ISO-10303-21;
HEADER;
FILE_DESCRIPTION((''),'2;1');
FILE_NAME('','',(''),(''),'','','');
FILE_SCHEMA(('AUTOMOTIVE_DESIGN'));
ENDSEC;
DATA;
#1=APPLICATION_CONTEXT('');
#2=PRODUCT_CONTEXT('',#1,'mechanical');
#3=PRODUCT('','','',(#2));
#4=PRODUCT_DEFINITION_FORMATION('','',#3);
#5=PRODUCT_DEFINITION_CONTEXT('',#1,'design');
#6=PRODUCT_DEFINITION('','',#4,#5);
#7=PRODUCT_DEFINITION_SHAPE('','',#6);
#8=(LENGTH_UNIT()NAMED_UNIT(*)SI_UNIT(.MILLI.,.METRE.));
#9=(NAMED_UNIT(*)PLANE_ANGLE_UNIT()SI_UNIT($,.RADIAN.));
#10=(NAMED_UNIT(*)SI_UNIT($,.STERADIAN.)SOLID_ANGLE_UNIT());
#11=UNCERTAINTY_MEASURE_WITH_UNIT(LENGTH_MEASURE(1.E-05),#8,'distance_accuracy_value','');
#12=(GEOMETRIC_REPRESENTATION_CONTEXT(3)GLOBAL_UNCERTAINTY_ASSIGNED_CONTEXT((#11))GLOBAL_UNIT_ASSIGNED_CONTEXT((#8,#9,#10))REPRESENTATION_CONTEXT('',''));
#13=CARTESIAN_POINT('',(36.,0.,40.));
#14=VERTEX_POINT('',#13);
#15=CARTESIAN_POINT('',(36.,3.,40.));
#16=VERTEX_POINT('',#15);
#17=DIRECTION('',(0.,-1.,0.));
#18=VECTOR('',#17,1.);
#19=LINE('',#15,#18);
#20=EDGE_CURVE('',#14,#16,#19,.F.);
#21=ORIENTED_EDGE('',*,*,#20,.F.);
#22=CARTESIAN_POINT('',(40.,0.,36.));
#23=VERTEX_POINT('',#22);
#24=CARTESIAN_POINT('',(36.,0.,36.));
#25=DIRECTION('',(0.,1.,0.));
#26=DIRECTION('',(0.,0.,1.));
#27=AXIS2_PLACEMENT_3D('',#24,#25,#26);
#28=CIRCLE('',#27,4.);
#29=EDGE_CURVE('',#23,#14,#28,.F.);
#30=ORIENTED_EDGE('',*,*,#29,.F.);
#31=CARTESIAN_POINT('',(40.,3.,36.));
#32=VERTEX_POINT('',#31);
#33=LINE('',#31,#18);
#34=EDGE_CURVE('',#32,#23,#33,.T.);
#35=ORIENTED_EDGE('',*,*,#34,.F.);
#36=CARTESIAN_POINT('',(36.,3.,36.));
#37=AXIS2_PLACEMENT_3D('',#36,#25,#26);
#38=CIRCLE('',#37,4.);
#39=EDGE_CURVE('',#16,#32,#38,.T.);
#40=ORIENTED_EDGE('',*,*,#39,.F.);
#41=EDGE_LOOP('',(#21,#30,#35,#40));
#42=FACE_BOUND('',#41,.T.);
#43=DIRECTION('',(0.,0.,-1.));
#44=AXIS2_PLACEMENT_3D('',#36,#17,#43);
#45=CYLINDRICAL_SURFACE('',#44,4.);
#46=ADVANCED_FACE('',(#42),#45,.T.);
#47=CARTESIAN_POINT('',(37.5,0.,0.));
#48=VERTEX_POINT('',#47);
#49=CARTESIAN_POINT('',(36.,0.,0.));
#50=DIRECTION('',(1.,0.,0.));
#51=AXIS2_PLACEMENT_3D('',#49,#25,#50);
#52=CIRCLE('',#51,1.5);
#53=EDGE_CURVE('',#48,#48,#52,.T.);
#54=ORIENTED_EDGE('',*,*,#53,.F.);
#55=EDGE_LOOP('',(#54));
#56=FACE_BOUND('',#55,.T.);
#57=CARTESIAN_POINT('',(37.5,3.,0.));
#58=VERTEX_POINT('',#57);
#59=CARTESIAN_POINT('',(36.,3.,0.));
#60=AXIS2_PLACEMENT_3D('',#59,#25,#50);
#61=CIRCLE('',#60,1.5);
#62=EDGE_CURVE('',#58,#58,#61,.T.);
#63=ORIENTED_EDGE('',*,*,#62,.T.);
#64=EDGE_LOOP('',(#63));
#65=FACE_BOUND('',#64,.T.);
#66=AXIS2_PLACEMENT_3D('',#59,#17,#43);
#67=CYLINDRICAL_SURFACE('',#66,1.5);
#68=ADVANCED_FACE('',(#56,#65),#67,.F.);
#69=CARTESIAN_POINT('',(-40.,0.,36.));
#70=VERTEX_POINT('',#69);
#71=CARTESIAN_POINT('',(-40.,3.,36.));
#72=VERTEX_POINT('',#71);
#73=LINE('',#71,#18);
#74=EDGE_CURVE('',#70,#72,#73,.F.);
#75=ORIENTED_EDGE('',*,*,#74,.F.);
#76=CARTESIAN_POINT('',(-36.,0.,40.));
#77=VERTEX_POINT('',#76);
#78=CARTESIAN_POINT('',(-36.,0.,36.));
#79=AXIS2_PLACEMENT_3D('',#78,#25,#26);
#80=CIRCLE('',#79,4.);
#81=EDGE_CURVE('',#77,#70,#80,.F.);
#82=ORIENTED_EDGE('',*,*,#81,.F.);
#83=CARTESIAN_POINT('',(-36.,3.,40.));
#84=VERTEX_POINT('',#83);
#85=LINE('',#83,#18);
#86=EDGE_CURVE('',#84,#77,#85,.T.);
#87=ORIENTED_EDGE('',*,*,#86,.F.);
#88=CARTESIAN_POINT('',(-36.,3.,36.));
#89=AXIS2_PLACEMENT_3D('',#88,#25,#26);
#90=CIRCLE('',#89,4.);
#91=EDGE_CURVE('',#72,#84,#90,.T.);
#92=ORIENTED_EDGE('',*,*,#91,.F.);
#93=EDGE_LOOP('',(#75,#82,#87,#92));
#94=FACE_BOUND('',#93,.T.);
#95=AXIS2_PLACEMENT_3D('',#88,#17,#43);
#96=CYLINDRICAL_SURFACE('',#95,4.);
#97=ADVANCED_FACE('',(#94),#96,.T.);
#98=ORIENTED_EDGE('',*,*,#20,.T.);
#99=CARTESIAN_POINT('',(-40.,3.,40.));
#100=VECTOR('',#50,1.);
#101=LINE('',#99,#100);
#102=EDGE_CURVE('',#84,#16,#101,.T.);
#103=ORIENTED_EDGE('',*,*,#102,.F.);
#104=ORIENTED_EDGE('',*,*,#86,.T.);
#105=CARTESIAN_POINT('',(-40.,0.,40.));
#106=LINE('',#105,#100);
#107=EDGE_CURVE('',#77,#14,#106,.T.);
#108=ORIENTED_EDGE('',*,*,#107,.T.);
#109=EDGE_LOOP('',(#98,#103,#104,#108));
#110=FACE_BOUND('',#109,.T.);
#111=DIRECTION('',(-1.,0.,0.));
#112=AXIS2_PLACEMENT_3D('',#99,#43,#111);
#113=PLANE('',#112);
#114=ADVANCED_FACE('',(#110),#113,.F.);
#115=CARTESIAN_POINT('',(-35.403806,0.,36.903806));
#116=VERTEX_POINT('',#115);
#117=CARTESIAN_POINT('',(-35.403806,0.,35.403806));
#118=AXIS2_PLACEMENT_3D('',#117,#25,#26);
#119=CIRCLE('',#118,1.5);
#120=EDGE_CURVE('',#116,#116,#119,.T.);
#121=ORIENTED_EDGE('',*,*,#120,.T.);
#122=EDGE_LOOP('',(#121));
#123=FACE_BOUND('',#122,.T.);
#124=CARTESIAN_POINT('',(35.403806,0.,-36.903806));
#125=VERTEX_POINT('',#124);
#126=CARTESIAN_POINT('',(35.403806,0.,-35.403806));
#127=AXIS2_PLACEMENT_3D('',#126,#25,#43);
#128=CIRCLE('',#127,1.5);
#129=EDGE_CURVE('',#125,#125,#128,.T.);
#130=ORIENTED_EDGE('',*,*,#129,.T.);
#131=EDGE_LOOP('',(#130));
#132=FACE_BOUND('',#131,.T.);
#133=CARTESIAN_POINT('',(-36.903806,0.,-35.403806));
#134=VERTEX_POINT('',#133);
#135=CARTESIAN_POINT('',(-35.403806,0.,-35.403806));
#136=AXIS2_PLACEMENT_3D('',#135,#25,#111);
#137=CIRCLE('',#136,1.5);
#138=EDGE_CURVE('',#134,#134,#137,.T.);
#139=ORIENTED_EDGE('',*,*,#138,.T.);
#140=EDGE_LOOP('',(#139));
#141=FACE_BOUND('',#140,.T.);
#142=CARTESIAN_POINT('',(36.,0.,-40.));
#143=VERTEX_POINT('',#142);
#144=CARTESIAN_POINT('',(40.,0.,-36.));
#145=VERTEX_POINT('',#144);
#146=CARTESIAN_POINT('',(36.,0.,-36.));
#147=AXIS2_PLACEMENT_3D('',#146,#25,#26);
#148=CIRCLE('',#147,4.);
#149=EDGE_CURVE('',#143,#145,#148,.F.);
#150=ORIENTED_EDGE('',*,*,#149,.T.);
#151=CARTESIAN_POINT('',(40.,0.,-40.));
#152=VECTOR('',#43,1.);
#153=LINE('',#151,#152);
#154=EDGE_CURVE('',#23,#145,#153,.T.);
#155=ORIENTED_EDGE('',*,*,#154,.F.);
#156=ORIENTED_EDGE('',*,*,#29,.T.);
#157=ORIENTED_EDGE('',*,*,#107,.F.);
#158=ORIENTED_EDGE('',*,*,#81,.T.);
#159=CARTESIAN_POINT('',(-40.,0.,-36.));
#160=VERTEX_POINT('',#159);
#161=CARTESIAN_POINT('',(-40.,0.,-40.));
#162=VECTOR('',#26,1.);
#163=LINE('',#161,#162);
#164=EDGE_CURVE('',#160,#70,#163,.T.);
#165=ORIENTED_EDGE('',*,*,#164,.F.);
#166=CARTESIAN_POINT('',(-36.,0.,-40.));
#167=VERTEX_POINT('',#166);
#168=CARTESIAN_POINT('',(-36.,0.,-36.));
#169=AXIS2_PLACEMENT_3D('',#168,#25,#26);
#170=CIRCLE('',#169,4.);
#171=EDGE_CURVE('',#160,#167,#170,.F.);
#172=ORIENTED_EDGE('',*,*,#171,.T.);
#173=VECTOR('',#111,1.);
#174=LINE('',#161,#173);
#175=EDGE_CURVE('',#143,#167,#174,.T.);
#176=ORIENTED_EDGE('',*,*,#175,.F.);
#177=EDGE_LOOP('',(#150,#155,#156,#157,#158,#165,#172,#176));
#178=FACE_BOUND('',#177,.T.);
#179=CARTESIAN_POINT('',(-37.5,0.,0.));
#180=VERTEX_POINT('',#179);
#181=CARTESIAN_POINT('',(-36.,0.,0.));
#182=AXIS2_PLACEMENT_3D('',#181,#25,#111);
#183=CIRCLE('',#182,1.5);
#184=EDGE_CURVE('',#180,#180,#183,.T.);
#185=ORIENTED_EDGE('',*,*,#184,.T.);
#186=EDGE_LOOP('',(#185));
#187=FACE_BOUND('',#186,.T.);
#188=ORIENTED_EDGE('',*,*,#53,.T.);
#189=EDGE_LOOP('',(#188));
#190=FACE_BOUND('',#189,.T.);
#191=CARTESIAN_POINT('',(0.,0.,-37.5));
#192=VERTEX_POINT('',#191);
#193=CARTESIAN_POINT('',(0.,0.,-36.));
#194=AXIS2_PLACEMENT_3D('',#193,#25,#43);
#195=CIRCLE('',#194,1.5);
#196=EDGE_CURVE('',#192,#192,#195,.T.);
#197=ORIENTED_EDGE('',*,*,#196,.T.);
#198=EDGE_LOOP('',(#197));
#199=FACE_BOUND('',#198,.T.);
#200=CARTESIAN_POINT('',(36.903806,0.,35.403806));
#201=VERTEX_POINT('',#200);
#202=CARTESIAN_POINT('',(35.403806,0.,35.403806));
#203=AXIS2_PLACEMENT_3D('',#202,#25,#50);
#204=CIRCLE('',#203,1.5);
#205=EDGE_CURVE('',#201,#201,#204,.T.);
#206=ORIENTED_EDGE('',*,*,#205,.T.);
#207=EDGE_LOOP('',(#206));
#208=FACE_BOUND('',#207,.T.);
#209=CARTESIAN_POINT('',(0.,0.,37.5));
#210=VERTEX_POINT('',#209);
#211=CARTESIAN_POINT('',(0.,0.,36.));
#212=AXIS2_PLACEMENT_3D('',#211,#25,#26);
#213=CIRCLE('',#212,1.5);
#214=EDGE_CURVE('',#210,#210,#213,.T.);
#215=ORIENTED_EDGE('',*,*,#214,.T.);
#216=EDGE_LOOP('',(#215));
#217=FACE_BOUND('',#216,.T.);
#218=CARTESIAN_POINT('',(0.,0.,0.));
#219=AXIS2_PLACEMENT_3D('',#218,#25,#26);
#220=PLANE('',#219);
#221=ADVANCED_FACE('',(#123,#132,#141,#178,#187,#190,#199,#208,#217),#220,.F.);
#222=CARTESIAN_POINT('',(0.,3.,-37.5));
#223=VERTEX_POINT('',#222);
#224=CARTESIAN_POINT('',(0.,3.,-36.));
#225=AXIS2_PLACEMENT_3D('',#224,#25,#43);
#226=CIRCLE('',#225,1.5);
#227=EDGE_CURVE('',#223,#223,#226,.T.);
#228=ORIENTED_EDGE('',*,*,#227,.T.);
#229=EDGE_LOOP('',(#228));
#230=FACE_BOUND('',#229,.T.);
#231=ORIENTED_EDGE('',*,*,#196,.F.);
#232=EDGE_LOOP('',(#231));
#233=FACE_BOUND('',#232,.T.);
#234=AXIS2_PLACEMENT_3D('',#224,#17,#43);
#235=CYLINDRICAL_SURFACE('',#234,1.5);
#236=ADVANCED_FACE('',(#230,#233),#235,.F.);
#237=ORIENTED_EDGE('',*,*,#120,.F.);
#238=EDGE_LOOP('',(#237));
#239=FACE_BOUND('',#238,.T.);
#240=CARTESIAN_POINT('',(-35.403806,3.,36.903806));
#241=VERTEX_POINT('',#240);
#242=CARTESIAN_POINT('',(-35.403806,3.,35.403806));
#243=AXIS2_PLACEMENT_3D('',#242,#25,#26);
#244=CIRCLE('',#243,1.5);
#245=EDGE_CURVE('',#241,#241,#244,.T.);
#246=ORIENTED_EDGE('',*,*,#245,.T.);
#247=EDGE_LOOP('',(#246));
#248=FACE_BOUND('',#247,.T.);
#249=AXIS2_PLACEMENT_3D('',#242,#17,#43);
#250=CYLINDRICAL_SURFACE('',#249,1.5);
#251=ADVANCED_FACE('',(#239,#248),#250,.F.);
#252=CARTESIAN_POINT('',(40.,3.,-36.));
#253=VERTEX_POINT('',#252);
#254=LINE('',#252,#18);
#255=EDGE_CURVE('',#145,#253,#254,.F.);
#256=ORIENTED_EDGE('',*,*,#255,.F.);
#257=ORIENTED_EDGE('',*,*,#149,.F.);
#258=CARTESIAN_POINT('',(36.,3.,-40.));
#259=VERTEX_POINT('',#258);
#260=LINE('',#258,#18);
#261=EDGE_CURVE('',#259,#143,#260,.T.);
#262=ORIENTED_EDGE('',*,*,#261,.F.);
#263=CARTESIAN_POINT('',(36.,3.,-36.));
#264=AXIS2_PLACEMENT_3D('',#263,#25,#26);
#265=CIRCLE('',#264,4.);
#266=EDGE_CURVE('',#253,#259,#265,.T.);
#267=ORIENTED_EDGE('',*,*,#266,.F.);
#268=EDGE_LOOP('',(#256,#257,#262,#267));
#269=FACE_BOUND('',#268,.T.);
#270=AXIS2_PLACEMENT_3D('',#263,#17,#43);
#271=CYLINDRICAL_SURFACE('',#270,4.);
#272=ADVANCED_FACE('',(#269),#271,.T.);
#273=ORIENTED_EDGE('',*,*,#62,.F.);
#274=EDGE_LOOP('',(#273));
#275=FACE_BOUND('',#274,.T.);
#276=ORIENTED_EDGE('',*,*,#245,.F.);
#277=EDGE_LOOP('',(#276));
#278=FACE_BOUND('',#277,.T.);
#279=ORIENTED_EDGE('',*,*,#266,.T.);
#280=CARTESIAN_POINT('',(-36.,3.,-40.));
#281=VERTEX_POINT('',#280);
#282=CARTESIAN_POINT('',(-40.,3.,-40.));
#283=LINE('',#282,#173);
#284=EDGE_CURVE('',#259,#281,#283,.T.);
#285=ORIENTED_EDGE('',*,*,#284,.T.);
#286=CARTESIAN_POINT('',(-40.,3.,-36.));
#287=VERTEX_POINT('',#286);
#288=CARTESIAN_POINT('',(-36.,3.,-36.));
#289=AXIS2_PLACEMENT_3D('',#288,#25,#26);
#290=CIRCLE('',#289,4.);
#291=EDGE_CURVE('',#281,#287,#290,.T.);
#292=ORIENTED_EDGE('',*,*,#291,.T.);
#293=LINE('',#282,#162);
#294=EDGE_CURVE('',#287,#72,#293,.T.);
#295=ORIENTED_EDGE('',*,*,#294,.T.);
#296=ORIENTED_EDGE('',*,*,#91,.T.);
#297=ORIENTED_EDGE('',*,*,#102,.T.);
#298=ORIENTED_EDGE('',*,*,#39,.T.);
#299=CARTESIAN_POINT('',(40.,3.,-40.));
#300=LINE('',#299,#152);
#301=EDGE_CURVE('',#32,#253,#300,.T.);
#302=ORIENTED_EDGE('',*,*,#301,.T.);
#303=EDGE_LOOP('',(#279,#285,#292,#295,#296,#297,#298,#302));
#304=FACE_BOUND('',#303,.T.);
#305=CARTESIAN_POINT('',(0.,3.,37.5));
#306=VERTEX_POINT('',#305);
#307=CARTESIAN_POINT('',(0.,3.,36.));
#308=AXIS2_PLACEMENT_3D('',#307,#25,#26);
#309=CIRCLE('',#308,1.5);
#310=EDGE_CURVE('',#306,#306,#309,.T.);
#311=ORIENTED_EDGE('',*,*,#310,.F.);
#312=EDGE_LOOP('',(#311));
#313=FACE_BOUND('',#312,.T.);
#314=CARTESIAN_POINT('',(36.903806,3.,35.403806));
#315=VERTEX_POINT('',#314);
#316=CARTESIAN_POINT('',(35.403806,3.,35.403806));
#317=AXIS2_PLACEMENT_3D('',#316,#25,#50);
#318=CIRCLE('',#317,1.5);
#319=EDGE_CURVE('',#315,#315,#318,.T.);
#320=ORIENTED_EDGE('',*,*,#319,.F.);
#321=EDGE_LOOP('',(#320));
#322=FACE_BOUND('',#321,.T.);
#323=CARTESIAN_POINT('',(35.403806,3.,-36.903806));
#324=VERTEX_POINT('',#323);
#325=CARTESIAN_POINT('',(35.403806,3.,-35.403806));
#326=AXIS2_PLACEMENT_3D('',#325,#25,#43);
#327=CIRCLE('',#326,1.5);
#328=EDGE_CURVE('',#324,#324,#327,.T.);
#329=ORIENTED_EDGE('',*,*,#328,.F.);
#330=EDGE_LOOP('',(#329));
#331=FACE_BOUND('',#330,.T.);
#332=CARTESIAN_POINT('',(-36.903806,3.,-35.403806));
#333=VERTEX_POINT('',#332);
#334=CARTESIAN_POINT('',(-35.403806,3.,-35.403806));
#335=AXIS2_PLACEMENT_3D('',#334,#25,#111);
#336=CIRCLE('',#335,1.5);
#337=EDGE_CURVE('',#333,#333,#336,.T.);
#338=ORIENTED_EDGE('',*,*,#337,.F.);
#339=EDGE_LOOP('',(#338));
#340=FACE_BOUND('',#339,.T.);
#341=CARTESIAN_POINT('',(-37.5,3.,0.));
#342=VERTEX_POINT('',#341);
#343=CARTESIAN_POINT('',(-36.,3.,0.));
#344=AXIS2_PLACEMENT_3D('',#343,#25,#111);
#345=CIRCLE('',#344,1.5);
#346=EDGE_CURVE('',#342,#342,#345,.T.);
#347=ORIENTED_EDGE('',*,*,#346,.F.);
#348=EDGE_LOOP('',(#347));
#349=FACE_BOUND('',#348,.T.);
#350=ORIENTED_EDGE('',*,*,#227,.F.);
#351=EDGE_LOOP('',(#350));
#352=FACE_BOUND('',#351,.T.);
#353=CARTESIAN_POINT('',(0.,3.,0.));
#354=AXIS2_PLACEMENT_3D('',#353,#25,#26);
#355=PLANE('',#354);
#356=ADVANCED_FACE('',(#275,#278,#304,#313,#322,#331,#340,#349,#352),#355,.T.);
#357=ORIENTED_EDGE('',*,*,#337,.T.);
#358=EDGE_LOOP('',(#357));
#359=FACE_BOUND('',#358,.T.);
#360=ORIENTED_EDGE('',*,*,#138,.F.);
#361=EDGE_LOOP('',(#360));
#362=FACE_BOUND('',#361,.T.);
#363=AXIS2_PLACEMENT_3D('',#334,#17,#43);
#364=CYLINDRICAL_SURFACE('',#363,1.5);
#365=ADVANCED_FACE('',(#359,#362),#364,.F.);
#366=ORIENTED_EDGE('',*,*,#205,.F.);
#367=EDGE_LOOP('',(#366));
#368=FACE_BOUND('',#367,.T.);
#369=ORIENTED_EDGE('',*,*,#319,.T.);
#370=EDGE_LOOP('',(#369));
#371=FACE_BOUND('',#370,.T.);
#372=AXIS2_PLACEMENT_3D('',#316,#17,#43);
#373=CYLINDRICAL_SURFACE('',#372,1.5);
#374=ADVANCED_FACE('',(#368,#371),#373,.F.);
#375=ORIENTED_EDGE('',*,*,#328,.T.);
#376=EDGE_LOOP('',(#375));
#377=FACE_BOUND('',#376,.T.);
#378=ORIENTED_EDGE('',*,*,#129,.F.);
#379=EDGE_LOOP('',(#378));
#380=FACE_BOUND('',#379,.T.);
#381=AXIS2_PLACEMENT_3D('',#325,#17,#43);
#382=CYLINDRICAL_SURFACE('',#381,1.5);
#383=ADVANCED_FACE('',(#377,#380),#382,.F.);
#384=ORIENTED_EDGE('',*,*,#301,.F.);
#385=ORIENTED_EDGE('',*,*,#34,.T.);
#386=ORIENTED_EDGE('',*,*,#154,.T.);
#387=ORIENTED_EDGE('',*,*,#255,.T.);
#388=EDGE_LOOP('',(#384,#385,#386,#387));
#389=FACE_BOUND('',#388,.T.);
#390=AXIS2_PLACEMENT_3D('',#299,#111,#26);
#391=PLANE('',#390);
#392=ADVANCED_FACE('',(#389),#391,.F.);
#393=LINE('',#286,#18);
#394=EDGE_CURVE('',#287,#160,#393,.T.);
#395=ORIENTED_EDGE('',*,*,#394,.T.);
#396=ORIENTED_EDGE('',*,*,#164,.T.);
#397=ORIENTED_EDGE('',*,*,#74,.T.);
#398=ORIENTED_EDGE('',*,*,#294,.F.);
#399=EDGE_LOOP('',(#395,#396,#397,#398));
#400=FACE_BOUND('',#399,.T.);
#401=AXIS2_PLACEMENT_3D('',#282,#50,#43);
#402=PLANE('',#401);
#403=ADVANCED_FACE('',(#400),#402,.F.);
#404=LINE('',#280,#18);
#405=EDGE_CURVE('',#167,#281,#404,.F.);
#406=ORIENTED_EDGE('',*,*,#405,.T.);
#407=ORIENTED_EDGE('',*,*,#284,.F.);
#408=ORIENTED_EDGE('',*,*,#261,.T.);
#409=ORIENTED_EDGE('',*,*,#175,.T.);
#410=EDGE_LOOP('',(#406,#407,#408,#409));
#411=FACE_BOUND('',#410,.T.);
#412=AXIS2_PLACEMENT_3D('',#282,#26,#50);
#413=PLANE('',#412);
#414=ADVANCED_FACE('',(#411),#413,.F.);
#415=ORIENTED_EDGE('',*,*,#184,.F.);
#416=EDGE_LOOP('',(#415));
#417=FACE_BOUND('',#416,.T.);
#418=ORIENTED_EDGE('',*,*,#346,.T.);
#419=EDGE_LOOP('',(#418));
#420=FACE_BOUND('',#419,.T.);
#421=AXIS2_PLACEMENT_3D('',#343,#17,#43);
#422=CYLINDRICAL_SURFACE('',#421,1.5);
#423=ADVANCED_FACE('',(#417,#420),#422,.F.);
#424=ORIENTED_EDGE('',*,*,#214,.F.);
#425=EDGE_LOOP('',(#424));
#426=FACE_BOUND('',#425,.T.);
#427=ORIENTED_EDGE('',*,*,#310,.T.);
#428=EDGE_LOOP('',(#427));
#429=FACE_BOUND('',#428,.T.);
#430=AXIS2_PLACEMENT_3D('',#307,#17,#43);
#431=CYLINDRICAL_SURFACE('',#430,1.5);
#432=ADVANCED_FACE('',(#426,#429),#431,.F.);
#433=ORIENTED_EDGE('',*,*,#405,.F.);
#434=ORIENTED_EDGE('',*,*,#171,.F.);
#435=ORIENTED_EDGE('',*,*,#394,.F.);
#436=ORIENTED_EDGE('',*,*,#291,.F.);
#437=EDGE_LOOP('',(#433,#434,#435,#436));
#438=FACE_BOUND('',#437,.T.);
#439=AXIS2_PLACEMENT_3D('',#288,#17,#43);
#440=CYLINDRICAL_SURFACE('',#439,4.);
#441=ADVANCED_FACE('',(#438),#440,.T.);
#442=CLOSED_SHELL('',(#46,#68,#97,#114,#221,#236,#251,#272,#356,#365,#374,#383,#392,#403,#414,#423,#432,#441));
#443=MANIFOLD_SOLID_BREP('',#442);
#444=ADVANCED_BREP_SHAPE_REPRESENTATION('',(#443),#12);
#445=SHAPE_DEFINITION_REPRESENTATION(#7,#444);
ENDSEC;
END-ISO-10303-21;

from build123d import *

# Parameters (mm, degrees)
SKETCH_2_W               = 80
SKETCH_2_H               = 80
EXTRUDE_1_DEPTH          = 3
SKETCH_3_R               = 1.5
CUT_EXTRUDE_1_DEPTH      = 3
PATTERN_CIRCULAR_1_COUNT = 4
FILLET_1_R               = 4


with BuildPart() as part:
    # 草图2 → 凸台-拉伸1 (new body)
    with BuildSketch(Plane(origin=(0, 0, 0), x_dir=(1, 0, 0), z_dir=(0, 1, 0))):
        Rectangle(SKETCH_2_W, SKETCH_2_H)
    extrude(amount=EXTRUDE_1_DEPTH)

    # 草图3 → 切除-拉伸1 (cut)
    with BuildSketch(Plane(origin=(0, 0, 0), x_dir=(1, 0, 0), z_dir=(0, 1, 0))):
        with Locations((0, -36)):
            Circle(SKETCH_3_R)
        with Locations((-35.403805922, -35.403805922)):
            Circle(SKETCH_3_R)
    cut_extrude_1 = extrude(amount=CUT_EXTRUDE_1_DEPTH, mode=Mode.SUBTRACT)

    # 阵列(圆周)1: 切除-拉伸1 ×4 about axis
    pattern_circular_1_axis = Axis((0, 3.15, 0), (0, -1, 0))
    for i in range(1, PATTERN_CIRCULAR_1_COUNT):
        add(cut_extrude_1.rotate(pattern_circular_1_axis, i * 360 / PATTERN_CIRCULAR_1_COUNT), mode=Mode.SUBTRACT)

    # 圆角1
    fillet_1_edges = [part.edges().sort_by_distance(p)[0] for p in [
        (40, 1.5, -40),
        (40, 1.5, 40),
        (-40, 1.5, -40),
        (-40, 1.5, 40),
    ]]
    fillet(fillet_1_edges, radius=FILLET_1_R)


solid = part.part
